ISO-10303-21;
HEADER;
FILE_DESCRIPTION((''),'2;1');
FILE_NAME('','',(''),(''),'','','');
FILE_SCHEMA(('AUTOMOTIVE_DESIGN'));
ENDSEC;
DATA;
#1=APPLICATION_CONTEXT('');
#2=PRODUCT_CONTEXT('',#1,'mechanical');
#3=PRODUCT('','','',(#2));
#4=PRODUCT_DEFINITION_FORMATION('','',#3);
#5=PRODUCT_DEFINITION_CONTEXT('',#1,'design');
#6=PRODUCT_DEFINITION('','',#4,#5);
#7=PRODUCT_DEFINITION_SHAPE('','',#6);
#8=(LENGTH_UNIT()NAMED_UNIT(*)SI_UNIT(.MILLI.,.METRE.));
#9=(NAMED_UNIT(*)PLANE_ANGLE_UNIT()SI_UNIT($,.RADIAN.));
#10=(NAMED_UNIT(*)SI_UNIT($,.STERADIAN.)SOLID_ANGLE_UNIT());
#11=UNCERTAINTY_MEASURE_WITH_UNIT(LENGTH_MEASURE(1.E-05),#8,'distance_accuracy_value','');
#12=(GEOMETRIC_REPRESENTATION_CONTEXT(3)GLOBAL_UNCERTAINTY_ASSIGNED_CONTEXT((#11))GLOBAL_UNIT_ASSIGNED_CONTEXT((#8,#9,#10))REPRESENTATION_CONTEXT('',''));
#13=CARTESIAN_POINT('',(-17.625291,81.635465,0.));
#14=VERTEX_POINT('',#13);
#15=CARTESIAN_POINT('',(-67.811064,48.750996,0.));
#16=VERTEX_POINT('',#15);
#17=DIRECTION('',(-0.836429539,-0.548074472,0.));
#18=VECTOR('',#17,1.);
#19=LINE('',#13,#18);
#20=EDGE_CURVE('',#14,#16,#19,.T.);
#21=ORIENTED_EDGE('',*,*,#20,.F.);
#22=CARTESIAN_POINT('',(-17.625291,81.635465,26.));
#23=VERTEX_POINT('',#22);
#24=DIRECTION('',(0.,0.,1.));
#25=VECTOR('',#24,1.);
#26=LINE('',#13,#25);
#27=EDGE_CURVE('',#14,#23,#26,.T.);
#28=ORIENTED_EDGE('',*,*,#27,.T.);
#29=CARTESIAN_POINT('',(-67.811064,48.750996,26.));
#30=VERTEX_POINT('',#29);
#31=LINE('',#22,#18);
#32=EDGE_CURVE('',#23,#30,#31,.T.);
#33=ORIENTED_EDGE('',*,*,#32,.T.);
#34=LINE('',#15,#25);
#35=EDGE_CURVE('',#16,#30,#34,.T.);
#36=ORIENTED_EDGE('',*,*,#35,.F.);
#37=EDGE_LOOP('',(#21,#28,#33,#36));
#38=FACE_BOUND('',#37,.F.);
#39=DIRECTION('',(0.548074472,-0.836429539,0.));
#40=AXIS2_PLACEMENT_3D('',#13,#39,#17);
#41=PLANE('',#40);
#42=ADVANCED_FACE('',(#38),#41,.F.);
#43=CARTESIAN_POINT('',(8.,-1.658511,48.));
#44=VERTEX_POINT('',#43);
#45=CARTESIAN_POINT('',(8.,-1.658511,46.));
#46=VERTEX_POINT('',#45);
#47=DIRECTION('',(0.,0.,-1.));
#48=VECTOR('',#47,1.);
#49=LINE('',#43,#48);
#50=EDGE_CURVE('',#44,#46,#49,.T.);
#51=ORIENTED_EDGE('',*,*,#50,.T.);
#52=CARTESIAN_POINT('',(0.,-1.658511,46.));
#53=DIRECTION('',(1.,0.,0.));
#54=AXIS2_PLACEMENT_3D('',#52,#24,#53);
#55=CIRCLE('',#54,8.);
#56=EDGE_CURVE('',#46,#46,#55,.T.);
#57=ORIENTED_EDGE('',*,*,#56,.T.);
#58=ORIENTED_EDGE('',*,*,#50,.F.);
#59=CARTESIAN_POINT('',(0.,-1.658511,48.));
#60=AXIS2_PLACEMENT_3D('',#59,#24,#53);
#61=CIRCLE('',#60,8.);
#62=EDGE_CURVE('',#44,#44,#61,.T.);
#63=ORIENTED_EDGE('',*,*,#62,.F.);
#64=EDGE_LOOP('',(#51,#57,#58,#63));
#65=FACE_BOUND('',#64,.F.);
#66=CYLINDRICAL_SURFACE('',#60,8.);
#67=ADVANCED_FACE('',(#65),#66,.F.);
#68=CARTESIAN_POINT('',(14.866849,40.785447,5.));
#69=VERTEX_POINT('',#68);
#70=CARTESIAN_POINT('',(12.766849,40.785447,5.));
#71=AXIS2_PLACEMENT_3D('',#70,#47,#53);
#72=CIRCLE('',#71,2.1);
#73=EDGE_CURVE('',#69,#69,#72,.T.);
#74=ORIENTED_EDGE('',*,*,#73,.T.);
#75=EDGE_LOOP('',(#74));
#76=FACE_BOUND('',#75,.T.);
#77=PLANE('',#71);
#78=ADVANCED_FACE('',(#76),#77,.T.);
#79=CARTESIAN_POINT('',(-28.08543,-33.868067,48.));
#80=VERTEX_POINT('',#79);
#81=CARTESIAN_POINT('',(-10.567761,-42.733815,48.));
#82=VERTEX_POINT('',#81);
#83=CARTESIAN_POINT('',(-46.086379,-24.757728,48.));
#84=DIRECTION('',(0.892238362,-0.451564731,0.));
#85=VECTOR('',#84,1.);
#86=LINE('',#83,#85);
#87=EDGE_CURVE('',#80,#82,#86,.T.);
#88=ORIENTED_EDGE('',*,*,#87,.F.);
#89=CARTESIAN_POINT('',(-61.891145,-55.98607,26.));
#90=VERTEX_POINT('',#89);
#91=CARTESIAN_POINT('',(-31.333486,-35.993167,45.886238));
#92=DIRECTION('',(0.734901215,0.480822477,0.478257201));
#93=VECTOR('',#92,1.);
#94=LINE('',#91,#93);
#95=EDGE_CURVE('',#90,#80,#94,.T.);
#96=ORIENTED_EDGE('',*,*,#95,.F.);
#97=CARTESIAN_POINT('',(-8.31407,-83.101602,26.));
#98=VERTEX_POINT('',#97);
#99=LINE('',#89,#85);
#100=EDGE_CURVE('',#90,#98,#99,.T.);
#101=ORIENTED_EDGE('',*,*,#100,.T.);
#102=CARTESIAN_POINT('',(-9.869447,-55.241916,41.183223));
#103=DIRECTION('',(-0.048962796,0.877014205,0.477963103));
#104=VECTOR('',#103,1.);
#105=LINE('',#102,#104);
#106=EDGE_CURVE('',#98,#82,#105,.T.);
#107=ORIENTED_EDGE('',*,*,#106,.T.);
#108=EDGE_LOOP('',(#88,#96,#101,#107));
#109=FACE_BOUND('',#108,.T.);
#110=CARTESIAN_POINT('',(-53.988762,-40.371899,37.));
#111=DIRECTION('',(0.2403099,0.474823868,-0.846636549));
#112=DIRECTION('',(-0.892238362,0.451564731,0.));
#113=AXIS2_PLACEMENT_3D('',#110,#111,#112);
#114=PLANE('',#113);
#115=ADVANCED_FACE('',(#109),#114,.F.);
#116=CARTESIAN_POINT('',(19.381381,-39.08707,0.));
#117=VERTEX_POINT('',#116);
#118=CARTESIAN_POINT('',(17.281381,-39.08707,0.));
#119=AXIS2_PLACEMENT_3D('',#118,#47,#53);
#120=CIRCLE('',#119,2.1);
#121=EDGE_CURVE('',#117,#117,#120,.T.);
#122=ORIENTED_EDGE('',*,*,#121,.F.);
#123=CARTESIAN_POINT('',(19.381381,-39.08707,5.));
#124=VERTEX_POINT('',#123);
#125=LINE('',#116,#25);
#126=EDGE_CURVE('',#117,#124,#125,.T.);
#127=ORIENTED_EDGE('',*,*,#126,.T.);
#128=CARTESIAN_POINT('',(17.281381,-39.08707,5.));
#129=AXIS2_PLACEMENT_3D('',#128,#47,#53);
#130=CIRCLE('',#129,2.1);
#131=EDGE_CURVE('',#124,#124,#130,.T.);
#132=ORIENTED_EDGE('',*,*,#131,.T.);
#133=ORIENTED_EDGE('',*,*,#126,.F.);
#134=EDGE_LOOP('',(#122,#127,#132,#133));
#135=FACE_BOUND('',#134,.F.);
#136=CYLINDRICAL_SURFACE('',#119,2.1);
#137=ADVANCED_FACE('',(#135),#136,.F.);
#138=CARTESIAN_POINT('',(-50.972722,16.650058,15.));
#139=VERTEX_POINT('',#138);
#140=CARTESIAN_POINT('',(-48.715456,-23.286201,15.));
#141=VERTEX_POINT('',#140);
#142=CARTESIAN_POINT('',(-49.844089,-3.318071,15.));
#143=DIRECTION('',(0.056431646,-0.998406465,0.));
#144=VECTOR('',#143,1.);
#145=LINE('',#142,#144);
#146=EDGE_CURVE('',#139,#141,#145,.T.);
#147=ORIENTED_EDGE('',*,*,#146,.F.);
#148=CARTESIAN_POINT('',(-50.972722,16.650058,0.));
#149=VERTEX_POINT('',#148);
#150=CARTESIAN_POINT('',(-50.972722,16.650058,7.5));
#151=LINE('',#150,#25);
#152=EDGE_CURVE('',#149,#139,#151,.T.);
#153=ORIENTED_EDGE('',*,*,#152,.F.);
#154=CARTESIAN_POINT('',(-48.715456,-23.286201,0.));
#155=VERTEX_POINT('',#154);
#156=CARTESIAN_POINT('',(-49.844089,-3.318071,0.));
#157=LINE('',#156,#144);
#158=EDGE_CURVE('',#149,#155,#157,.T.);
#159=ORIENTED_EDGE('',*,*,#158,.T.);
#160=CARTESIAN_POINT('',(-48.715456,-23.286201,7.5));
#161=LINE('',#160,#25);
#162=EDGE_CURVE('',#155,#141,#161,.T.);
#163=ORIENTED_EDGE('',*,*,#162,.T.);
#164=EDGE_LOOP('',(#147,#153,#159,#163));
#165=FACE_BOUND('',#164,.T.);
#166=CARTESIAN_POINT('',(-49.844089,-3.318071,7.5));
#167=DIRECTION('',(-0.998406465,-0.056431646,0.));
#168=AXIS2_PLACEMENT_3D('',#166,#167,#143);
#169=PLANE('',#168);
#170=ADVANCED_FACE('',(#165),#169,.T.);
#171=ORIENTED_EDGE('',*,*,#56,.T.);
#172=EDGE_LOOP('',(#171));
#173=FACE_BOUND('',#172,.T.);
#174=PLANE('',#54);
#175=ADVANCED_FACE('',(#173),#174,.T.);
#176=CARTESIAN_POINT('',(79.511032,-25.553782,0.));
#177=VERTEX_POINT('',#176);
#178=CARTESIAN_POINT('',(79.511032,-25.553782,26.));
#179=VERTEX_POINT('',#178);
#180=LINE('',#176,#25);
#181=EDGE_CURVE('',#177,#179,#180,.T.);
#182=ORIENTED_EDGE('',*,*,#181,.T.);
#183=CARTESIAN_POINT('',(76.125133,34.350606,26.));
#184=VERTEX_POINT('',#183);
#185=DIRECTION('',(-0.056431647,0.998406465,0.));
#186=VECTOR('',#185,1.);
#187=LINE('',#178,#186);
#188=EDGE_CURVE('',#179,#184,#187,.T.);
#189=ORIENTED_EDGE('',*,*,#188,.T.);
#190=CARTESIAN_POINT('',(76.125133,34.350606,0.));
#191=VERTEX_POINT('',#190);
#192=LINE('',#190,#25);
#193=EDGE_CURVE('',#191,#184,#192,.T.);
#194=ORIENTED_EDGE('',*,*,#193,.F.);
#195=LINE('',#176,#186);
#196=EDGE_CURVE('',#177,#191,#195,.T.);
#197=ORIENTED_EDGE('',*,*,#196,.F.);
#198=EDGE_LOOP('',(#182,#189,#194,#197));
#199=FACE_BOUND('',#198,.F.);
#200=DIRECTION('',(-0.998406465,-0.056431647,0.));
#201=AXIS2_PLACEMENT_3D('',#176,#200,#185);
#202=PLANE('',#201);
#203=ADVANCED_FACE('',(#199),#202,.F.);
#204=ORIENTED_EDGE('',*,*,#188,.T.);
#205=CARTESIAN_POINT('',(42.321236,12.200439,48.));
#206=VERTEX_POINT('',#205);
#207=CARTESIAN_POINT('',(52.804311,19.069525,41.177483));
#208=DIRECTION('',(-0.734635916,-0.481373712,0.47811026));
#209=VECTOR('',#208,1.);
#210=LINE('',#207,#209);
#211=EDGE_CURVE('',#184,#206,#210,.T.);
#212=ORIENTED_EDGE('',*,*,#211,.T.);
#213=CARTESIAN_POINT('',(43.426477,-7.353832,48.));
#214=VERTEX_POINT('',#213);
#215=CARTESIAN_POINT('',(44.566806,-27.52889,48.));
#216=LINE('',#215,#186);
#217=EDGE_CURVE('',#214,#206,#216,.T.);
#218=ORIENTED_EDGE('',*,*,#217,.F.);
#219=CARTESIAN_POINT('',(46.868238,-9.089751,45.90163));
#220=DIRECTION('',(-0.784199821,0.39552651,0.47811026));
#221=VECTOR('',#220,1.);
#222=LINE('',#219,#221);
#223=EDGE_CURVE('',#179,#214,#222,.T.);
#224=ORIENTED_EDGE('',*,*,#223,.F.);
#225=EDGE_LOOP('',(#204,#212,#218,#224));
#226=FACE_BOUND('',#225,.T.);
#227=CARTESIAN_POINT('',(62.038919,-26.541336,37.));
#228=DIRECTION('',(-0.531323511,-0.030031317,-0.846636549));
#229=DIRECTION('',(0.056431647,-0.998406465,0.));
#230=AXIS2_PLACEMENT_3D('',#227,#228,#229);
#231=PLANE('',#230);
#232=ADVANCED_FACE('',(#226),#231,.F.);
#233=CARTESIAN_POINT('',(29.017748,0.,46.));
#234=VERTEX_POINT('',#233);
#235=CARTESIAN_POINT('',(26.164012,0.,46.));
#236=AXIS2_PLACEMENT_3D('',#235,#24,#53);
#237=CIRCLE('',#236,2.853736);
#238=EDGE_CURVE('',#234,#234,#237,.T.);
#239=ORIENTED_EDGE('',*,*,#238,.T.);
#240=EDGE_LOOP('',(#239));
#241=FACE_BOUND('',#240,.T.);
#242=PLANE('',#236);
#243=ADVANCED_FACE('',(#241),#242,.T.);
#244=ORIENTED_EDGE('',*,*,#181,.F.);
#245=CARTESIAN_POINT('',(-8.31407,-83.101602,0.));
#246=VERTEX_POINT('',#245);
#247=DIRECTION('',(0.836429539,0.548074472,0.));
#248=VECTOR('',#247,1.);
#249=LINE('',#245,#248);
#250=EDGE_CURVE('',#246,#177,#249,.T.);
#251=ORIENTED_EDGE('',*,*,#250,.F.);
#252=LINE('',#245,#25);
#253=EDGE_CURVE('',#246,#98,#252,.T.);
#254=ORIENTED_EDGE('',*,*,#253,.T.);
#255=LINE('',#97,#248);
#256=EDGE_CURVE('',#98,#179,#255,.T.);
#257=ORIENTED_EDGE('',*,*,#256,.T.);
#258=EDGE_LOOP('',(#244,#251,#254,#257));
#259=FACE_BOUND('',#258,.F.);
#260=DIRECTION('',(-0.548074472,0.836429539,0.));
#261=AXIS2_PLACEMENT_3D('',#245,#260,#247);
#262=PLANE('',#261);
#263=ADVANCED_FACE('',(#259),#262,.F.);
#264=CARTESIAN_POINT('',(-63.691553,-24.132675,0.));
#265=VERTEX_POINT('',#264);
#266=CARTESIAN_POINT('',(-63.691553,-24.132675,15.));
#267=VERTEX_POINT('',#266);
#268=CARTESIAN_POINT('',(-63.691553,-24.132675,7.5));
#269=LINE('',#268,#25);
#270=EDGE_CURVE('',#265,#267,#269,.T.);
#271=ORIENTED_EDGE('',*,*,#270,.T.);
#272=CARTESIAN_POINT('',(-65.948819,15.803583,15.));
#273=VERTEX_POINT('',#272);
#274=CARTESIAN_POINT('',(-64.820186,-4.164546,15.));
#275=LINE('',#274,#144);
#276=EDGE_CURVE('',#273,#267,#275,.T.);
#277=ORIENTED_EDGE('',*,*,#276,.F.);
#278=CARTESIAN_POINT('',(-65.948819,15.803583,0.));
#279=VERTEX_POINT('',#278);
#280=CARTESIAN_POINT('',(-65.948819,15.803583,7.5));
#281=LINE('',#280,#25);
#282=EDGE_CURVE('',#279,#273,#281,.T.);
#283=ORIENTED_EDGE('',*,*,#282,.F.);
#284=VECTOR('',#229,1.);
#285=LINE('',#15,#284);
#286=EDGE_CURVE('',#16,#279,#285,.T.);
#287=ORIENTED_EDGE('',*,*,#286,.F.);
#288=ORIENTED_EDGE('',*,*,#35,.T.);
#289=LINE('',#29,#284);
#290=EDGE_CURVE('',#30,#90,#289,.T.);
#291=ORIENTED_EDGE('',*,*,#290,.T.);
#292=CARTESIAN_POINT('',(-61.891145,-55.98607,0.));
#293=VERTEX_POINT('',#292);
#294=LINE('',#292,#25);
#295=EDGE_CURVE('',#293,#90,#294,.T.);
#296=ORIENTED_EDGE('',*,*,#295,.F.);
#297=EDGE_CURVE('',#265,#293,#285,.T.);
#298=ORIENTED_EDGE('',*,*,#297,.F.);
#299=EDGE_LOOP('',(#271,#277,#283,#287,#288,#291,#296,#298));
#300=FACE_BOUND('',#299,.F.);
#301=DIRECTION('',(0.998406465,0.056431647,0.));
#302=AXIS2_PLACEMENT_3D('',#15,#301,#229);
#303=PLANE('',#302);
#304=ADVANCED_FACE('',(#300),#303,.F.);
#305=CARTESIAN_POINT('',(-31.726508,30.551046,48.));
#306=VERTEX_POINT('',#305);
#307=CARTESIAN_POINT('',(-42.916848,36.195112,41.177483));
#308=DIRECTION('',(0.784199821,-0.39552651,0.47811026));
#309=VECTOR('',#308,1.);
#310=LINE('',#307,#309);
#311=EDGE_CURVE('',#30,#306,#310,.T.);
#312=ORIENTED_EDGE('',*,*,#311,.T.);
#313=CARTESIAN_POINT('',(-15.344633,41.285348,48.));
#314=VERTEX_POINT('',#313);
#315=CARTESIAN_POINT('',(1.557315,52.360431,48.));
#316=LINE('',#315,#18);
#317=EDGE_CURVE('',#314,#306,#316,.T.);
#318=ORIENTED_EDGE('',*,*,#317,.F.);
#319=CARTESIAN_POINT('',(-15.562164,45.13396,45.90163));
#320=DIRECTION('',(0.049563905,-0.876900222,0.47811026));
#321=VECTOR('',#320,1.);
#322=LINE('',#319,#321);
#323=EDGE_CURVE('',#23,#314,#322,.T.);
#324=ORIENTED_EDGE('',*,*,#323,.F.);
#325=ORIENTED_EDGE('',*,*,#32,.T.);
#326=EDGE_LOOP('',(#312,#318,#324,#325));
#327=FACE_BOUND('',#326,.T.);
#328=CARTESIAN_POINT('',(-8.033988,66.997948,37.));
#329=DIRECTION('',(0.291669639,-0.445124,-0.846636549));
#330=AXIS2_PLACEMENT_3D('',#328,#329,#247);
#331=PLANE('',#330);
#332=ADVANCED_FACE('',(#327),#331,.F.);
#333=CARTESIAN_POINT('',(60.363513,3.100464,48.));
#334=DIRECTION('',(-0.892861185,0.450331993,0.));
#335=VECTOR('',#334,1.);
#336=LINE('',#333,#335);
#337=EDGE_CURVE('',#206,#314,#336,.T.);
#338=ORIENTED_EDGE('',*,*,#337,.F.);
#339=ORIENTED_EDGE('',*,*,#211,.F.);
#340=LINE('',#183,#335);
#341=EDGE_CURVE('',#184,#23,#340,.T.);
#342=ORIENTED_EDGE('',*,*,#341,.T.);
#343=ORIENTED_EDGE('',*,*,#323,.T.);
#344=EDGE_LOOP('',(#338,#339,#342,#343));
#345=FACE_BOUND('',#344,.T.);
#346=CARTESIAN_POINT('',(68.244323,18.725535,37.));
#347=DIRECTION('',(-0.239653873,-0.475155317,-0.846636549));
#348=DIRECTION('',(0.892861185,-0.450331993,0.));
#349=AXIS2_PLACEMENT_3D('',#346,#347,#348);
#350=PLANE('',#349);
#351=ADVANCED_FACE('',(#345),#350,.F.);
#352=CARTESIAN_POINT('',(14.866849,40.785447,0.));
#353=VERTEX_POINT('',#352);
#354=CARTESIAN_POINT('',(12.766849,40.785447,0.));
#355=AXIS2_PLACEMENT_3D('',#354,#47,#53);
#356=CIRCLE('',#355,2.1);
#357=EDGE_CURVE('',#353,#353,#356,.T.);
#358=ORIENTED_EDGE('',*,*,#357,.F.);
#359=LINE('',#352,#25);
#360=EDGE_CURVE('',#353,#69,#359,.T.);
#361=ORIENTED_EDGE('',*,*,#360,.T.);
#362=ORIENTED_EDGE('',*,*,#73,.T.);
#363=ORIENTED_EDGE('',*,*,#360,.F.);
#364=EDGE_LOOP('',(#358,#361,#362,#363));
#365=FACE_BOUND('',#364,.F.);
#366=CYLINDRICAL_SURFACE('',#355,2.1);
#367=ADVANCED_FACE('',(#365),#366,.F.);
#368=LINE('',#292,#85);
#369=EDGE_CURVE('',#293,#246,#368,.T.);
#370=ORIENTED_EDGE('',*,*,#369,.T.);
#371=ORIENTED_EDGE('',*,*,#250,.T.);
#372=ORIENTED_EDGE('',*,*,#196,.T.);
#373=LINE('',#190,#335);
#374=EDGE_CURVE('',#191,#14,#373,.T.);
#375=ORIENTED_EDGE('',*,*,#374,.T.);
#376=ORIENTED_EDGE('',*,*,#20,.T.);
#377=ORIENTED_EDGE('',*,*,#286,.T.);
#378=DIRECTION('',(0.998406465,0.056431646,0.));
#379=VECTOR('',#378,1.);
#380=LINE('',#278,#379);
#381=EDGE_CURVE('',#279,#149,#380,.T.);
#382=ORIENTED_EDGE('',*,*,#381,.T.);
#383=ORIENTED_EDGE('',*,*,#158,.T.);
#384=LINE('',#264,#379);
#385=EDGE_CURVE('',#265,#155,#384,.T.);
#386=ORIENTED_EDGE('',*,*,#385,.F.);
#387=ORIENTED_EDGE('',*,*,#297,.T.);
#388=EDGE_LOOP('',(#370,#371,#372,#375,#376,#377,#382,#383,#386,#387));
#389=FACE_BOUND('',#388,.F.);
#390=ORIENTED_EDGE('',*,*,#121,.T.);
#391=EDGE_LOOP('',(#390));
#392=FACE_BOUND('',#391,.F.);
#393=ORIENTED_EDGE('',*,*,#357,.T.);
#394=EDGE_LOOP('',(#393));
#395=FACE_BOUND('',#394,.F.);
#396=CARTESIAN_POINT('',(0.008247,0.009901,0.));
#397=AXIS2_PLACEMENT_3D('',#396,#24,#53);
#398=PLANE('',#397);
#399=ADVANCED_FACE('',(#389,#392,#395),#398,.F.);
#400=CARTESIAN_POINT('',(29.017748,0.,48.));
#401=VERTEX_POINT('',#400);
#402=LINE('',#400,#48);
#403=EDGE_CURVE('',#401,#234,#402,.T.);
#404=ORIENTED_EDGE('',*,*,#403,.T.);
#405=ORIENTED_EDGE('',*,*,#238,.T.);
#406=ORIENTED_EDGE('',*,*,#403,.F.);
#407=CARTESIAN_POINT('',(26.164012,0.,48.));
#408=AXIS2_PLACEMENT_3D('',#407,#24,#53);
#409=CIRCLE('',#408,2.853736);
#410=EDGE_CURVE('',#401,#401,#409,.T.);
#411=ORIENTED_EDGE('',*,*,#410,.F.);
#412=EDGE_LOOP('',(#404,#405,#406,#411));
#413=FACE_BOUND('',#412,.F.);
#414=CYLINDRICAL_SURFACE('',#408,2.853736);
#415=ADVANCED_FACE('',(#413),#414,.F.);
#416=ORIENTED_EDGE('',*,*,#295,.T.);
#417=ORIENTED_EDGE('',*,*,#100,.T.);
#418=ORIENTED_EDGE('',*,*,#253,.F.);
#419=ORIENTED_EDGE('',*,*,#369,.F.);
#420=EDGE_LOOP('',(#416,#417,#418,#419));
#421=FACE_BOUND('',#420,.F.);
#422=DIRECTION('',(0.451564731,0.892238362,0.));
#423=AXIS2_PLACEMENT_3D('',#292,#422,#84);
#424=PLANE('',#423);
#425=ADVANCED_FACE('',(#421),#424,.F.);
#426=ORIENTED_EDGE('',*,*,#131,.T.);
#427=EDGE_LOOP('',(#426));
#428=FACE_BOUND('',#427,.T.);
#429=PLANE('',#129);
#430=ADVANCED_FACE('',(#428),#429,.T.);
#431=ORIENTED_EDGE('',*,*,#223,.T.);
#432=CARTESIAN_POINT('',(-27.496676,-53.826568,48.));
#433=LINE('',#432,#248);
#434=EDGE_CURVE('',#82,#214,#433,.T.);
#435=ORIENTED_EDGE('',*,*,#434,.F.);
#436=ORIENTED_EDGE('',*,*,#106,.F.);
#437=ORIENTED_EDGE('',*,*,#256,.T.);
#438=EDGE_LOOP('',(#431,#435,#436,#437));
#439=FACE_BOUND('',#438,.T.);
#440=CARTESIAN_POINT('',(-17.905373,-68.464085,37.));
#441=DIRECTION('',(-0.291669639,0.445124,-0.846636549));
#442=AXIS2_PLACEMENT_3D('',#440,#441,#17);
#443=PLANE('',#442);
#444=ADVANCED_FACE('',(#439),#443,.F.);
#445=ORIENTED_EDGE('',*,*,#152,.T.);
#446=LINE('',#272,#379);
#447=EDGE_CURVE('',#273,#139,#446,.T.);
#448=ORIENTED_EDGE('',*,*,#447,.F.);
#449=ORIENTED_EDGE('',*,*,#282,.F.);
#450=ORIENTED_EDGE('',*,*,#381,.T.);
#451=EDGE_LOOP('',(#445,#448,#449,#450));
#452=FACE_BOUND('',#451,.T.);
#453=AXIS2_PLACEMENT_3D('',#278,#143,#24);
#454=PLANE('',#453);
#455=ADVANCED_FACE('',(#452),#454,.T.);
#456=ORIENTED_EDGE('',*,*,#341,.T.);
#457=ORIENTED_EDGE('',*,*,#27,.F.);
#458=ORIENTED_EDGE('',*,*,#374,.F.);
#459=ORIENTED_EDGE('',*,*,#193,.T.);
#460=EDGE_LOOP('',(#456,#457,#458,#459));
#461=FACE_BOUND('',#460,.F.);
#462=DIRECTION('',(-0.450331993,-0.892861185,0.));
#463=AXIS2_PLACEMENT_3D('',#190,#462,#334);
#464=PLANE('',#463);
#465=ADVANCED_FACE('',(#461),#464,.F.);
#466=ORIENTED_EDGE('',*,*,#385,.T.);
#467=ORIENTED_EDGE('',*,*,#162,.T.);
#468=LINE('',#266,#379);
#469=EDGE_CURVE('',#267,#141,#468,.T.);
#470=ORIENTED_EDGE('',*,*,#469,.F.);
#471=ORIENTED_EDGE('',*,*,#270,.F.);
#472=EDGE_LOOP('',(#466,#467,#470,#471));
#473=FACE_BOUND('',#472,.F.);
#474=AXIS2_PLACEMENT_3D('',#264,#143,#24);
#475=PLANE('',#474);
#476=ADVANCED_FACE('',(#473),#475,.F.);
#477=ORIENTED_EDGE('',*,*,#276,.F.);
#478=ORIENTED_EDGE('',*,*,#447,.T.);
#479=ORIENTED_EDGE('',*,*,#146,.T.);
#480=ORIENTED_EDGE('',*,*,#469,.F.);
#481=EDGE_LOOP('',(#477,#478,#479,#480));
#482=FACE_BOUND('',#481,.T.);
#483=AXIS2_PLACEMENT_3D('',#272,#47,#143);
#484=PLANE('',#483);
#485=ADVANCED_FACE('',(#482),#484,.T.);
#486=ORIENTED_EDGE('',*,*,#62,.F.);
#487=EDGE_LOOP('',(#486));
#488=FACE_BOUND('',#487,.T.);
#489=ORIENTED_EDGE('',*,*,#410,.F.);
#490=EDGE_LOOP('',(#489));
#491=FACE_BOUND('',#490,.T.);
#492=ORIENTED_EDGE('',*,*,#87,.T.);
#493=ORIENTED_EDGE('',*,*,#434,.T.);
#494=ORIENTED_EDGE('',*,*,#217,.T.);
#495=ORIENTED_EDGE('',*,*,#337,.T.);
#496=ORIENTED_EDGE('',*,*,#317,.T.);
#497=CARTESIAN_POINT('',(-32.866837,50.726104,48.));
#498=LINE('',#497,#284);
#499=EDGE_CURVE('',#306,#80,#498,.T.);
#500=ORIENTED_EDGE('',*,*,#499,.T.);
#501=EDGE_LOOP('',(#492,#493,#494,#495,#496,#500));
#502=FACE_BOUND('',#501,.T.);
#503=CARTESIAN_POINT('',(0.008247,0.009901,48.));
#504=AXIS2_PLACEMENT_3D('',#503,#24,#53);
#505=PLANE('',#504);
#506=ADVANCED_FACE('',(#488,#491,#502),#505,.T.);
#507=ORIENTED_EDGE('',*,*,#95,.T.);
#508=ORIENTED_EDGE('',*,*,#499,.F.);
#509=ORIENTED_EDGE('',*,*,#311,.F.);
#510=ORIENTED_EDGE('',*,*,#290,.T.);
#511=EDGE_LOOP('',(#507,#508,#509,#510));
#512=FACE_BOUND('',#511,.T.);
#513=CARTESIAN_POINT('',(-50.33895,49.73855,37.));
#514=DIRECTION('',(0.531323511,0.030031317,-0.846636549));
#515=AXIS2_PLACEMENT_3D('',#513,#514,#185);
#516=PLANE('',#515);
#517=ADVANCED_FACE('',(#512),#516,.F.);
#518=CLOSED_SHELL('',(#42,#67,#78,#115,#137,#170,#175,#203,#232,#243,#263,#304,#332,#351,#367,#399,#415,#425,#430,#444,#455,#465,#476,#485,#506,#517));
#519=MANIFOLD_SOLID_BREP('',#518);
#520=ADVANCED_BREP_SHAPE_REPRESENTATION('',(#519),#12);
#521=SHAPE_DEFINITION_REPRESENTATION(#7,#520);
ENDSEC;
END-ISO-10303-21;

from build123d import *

# Parameters (mm, degrees)
F1_DEPTH  = 48
F2_SIZE2  = 35
F2_SIZE   = 22
F3_R      = 8
F4_DEPTH  = 2
F5_R      = 2.1
F6_DEPTH  = 5
F7_W      = 40
F7_H      = 15
F8_DEPTH  = 15
F9_R      = 2.8537362448
F10_DEPTH = 2


with BuildPart() as f1:
    # F0 (on Top) → F1 (new body)
    with BuildSketch(Plane.XY):
        Polygon((-8.3140695912, -83.1016019511), (79.5110319718, -25.5537823968), (76.1251331804, 34.3506055007), (-17.6252912675, 81.6354647671), (-67.8110635892, 48.7509964503), (-61.8911448644, -55.9860702678), align=None)
    extrude(amount=F1_DEPTH)

    # F2
    f2_edges = [f1.edges().sort_by_distance(p)[0] for p in [
        (-35.102607, -69.543836, 48),
        (35.598481, -54.327692, 48),
        (77.818083, 4.398412, 48),
        (29.249921, 57.993035, 48),
        (-42.718177, 65.193231, 48),
        (-64.851104, -3.617537, 48),
    ]]
    chamfer(f2_edges, length=F2_SIZE, length2=F2_SIZE2)

    # F3 (on face) → F4 (cut)
    with BuildSketch(Plane.XY.offset(48)):
        with Locations((0, -1.6585105106)):
            Circle(F3_R)
    extrude(amount=-F4_DEPTH, mode=Mode.SUBTRACT)

    # F5 (on face) → F6 (cut)
    with BuildSketch(Plane(origin=(0, 0, 0), x_dir=(1, 0, 0), z_dir=(0, 0, -1))):
        with Locations((17.2813809108, 39.0870698365)):
            Circle(F5_R)
        with Locations((12.766849189, -40.7854473602)):
            Circle(F5_R)
    extrude(amount=-F6_DEPTH, mode=Mode.SUBTRACT)

    # F7 (on face) → F8 (cut)
    with BuildSketch(Plane(origin=(-64.8484021467, -3.66534296, 0), x_dir=(0.0564316465, -0.998406465, 0), z_dir=(-0.998406465, -0.0564316465, 0))):
        with Locations((0.5, 7.5)):
            Rectangle(F7_W, F7_H)
    extrude(amount=-F8_DEPTH, mode=Mode.SUBTRACT)

    # F9 (on face) → F10 (cut)
    with BuildSketch(Plane.XY.offset(48)):
        with Locations((26.1640120298, 0)):
            Circle(F9_R)
    extrude(amount=-F10_DEPTH, mode=Mode.SUBTRACT)


solid = f1.part
